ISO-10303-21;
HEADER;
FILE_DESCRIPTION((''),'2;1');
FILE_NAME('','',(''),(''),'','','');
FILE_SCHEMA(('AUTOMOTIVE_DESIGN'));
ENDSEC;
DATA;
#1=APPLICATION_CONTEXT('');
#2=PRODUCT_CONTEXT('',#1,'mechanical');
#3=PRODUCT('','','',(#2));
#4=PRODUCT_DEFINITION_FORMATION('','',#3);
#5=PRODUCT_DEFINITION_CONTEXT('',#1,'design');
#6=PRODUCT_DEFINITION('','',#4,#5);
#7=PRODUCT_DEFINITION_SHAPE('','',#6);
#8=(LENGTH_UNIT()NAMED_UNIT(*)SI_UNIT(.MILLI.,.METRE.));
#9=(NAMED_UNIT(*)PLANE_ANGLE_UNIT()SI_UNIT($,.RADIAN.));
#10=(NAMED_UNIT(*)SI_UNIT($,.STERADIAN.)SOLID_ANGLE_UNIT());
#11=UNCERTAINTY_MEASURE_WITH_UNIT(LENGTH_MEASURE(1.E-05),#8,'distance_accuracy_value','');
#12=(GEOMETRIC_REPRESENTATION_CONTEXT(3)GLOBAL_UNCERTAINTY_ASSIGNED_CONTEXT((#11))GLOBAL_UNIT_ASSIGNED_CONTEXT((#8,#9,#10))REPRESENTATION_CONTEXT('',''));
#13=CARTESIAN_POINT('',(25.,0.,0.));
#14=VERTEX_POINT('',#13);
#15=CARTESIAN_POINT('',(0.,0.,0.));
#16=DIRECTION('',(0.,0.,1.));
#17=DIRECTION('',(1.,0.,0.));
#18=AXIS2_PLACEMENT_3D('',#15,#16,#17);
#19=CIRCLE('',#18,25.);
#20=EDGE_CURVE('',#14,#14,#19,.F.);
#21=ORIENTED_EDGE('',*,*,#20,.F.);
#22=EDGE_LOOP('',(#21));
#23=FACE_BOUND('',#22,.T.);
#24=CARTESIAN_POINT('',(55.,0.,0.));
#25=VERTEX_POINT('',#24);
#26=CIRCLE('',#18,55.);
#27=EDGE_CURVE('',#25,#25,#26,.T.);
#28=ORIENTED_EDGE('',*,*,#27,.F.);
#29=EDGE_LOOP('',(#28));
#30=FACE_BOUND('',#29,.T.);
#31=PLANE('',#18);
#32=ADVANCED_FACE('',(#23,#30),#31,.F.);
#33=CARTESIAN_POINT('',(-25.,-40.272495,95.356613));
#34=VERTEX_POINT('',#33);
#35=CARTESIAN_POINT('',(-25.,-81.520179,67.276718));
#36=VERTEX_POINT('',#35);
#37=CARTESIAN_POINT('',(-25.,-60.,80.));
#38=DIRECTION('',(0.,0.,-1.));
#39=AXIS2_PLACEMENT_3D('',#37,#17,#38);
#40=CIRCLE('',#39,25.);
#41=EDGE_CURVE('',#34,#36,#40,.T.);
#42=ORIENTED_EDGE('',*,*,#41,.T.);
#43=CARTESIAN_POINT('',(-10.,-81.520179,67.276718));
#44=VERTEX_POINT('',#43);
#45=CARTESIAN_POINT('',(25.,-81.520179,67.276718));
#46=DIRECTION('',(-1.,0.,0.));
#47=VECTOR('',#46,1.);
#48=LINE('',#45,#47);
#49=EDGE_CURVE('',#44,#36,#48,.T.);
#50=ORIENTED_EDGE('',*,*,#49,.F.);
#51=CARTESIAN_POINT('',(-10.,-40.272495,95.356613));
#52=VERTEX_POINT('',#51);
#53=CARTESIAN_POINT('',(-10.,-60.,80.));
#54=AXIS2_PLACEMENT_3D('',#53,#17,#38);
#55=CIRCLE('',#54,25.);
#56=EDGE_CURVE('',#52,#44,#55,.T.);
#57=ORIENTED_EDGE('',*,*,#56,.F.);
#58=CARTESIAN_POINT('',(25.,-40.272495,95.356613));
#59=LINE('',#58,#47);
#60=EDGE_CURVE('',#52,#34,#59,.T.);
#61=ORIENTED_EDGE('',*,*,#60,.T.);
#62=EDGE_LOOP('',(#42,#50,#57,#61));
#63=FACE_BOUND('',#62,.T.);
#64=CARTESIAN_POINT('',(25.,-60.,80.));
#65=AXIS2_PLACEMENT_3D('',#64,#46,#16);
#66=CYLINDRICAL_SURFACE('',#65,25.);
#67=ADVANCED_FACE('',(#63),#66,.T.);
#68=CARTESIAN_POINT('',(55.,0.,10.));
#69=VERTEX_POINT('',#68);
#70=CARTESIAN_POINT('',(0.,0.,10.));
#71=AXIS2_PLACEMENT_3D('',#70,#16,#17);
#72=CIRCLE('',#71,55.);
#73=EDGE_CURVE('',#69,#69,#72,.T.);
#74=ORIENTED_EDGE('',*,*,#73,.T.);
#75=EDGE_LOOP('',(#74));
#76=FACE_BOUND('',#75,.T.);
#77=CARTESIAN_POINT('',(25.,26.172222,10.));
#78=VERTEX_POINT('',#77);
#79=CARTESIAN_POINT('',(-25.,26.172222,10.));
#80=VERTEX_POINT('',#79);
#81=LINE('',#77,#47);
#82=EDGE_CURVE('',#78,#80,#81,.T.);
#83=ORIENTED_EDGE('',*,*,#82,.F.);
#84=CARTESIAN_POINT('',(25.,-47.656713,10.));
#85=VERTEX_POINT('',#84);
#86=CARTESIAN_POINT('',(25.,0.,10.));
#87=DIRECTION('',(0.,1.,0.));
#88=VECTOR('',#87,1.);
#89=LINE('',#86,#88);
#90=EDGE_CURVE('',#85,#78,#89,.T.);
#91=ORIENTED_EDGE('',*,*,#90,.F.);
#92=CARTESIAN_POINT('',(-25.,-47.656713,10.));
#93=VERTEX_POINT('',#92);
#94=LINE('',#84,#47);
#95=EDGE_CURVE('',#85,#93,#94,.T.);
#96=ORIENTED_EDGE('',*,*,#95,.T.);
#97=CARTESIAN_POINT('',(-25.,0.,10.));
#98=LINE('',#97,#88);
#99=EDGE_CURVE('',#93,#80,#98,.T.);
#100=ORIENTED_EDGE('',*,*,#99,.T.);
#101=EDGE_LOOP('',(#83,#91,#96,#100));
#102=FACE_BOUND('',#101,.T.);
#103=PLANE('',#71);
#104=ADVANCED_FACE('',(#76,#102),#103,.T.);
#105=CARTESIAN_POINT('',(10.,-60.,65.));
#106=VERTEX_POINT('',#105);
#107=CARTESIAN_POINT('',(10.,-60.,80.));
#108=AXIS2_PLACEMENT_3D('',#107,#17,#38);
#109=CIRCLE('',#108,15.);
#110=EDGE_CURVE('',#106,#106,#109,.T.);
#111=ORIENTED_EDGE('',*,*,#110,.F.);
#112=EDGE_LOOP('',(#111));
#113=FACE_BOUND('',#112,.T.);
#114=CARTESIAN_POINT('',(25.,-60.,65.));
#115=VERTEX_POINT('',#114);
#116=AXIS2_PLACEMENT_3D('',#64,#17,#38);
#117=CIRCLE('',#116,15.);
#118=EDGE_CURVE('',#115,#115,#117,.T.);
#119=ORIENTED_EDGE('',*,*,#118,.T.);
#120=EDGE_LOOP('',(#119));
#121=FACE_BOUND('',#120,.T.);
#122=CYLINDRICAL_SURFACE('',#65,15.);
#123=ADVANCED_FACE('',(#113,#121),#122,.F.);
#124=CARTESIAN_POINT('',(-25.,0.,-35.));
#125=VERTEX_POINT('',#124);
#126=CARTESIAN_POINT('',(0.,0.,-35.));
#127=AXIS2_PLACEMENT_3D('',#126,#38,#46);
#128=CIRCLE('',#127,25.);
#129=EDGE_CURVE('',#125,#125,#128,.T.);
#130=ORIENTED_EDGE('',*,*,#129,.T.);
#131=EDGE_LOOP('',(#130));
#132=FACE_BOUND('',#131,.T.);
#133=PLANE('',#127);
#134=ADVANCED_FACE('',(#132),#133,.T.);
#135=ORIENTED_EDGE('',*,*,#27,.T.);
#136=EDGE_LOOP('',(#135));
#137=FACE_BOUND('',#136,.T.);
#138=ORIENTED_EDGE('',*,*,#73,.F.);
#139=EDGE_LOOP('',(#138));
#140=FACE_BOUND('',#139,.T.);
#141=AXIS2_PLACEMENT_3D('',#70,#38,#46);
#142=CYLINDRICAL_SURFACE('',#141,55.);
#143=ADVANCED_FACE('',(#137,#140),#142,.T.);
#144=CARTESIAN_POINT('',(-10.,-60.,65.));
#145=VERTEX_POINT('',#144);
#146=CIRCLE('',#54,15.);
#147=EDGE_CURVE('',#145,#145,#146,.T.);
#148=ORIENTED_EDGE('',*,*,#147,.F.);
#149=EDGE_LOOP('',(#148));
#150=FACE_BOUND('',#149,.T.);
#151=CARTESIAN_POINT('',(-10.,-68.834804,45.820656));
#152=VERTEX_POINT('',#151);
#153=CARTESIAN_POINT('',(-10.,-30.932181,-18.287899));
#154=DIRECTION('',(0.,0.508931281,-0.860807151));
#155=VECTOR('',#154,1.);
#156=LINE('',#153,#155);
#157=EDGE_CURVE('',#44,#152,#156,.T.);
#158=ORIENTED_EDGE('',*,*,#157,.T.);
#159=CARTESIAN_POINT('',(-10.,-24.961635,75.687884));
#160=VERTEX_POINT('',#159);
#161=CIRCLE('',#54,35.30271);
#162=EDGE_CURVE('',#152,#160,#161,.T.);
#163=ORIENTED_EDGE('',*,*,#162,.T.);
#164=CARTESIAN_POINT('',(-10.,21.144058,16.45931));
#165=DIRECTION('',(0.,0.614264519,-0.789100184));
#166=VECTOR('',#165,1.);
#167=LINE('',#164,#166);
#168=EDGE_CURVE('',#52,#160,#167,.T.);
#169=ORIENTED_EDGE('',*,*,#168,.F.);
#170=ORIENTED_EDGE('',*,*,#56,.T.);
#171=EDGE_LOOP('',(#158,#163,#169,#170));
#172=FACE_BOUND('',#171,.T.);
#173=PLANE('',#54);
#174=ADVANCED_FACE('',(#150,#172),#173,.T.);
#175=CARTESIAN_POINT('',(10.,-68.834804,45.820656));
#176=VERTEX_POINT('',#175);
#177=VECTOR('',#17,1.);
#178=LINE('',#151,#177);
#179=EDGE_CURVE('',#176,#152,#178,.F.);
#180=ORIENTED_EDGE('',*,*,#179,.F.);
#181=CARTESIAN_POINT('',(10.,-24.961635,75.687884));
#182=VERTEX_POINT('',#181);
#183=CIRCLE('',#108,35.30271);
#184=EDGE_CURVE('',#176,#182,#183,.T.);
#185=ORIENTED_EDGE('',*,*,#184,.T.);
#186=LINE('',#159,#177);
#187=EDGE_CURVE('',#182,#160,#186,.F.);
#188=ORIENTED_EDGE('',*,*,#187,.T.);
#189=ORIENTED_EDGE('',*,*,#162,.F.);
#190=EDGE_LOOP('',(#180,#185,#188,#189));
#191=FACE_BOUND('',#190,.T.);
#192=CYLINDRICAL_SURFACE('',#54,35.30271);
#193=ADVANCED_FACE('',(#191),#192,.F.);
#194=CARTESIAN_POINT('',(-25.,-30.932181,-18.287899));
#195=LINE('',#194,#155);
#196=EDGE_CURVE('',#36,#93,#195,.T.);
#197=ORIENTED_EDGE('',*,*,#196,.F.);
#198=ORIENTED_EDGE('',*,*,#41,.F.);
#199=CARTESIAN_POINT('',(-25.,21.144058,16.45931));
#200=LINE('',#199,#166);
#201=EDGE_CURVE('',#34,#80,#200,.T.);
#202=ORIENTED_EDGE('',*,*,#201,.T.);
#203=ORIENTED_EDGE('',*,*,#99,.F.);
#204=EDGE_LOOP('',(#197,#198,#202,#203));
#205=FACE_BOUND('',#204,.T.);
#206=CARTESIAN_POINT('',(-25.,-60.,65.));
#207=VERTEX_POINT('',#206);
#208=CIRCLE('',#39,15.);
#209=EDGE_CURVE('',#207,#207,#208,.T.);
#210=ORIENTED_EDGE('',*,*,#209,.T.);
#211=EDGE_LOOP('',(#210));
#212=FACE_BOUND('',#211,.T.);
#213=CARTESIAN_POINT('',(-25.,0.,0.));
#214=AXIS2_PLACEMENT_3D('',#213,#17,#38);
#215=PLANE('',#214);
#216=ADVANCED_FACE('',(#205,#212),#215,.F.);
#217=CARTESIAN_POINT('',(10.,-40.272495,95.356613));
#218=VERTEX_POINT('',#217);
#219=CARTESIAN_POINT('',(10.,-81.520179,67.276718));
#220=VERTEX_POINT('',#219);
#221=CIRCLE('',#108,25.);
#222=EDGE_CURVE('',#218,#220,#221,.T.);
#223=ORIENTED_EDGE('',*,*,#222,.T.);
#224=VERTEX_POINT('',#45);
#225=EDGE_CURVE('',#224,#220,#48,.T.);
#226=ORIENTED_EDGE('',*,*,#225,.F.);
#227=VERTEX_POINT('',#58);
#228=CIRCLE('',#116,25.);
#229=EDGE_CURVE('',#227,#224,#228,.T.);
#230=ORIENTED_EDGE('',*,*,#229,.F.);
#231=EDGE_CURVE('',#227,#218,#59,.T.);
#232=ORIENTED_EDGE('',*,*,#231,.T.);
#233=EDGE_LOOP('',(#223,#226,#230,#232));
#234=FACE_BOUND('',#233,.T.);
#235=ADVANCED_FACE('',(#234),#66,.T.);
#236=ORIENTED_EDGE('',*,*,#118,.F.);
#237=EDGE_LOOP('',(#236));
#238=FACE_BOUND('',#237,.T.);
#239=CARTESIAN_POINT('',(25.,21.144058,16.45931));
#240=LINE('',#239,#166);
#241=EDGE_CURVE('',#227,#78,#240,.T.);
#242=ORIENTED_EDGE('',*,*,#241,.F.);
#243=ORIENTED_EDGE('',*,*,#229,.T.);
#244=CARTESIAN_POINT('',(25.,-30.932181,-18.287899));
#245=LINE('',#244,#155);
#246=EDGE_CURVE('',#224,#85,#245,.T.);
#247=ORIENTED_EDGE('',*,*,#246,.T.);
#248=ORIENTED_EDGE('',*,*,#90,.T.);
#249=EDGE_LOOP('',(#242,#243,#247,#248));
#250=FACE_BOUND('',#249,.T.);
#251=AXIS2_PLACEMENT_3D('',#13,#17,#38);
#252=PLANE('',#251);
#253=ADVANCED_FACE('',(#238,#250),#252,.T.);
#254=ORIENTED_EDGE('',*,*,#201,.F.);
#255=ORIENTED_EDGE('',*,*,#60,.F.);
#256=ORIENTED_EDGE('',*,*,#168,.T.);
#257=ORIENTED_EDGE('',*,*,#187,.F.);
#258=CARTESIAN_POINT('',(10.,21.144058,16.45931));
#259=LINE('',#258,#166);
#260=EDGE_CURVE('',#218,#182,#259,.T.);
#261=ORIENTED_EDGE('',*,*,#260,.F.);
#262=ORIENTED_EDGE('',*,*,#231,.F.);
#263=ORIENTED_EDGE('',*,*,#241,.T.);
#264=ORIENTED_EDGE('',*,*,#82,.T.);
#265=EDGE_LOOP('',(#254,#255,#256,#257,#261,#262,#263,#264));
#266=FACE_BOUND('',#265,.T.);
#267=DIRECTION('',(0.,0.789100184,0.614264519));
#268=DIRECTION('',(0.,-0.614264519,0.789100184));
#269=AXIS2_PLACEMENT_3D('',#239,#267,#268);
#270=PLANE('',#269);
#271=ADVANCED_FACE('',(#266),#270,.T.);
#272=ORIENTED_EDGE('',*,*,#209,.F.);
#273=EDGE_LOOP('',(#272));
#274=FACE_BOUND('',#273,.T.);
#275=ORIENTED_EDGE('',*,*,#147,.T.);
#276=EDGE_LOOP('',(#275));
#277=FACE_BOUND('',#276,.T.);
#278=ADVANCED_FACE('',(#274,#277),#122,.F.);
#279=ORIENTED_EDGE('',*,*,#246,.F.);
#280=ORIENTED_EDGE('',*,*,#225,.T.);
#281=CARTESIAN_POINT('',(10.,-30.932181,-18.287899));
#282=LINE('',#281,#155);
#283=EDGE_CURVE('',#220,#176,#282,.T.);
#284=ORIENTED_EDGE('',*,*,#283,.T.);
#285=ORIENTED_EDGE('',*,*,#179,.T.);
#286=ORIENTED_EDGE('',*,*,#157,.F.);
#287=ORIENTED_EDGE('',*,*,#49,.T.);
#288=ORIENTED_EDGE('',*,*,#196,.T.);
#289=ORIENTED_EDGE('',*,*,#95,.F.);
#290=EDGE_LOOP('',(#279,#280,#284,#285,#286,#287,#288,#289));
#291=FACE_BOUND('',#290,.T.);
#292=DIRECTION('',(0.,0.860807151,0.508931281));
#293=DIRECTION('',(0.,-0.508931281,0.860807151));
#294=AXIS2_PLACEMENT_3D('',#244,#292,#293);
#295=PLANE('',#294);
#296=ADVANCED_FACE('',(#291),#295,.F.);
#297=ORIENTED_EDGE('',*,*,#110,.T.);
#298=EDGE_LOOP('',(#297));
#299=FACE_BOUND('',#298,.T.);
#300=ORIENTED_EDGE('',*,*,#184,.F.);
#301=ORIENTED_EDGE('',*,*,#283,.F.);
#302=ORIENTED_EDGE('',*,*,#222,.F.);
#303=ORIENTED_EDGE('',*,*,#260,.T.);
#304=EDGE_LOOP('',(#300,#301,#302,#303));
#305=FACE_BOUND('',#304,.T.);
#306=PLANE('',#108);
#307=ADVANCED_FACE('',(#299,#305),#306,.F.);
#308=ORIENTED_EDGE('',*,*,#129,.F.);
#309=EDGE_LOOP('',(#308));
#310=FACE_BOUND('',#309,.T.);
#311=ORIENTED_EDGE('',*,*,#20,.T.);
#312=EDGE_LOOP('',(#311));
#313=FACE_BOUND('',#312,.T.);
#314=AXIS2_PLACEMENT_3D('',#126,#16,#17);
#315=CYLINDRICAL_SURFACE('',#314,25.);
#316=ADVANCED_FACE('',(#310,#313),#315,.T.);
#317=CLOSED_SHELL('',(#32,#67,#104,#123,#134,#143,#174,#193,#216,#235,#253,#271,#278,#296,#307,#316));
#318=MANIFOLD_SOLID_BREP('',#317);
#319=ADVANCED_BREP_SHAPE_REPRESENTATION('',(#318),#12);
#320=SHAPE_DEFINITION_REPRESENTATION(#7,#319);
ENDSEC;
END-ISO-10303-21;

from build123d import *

# Parameters (mm, degrees)
SKETCH_1_R          = 55
EXTRUDE_1_DEPTH     = 10
SKETCH_2_R          = 25
EXTRUDE_2_DEPTH     = 35
SKETCH_3_R          = 25
SKETCH_3_R_2        = 15
EXTRUDE_3_DEPTH     = 25
SKETCH_6_R          = 35.302710026
CUT_EXTRUDE_2_DEPTH = 10


with BuildPart() as part:
    # 草图1 → 凸台-拉伸1 (new body)
    with BuildSketch(Plane.XY):
        Circle(SKETCH_1_R)
    extrude(amount=EXTRUDE_1_DEPTH)

    # 草图2 → 凸台-拉伸2 (add)
    with BuildSketch(Plane(origin=(0, 0, 0), x_dir=(-1, 0, 0), z_dir=(0, 0, -1))):
        with Locations(Location((0, 0, 0), (0, 0, 180))):
            Circle(SKETCH_2_R)
    extrude(amount=EXTRUDE_2_DEPTH)

    # 草图3 → 凸台-拉伸3 (add, symmetric)
    # profile 1 of 2: a face of its own
    with BuildSketch(Plane(origin=(0, 0, 0), x_dir=(0, 0, -1), z_dir=(1, 0, 0))):
        with BuildLine():
            Line((-67.276717973, -81.520178774), (-10, -47.656713047))
            Line((-10, -47.656713047), (-10, 26.1722221))
            Line((-10, 26.1722221), (-95.356612975, -40.272495395))
            ThreePointArc((-95.356612975, -40.272495395), (-69.020822535, -37.539865045), (-55, -60))
            ThreePointArc((-55, -60), (-58.285004597, -72.387855935), (-67.276717973, -81.520178774))
        make_face()
    # profile 2 of 2: a face of its own
    with BuildSketch(Plane(origin=(0, 0, 0), x_dir=(0, 0, -1), z_dir=(1, 0, 0))):
        with Locations((-80, -60)):
            Circle(SKETCH_3_R)
        with Locations((-80, -60)):
            Circle(SKETCH_3_R_2, mode=Mode.SUBTRACT)
    extrude(amount=EXTRUDE_3_DEPTH, both=True)

    # 草图6 → 切除-拉伸2 (cut, symmetric)
    with BuildSketch(Plane(origin=(0, 0, 0), x_dir=(0, 0, -1), z_dir=(1, 0, 0))):
        with Locations((-80, -60)):
            Circle(SKETCH_6_R)
    extrude(amount=CUT_EXTRUDE_2_DEPTH, both=True, mode=Mode.SUBTRACT)


solid = part.part
